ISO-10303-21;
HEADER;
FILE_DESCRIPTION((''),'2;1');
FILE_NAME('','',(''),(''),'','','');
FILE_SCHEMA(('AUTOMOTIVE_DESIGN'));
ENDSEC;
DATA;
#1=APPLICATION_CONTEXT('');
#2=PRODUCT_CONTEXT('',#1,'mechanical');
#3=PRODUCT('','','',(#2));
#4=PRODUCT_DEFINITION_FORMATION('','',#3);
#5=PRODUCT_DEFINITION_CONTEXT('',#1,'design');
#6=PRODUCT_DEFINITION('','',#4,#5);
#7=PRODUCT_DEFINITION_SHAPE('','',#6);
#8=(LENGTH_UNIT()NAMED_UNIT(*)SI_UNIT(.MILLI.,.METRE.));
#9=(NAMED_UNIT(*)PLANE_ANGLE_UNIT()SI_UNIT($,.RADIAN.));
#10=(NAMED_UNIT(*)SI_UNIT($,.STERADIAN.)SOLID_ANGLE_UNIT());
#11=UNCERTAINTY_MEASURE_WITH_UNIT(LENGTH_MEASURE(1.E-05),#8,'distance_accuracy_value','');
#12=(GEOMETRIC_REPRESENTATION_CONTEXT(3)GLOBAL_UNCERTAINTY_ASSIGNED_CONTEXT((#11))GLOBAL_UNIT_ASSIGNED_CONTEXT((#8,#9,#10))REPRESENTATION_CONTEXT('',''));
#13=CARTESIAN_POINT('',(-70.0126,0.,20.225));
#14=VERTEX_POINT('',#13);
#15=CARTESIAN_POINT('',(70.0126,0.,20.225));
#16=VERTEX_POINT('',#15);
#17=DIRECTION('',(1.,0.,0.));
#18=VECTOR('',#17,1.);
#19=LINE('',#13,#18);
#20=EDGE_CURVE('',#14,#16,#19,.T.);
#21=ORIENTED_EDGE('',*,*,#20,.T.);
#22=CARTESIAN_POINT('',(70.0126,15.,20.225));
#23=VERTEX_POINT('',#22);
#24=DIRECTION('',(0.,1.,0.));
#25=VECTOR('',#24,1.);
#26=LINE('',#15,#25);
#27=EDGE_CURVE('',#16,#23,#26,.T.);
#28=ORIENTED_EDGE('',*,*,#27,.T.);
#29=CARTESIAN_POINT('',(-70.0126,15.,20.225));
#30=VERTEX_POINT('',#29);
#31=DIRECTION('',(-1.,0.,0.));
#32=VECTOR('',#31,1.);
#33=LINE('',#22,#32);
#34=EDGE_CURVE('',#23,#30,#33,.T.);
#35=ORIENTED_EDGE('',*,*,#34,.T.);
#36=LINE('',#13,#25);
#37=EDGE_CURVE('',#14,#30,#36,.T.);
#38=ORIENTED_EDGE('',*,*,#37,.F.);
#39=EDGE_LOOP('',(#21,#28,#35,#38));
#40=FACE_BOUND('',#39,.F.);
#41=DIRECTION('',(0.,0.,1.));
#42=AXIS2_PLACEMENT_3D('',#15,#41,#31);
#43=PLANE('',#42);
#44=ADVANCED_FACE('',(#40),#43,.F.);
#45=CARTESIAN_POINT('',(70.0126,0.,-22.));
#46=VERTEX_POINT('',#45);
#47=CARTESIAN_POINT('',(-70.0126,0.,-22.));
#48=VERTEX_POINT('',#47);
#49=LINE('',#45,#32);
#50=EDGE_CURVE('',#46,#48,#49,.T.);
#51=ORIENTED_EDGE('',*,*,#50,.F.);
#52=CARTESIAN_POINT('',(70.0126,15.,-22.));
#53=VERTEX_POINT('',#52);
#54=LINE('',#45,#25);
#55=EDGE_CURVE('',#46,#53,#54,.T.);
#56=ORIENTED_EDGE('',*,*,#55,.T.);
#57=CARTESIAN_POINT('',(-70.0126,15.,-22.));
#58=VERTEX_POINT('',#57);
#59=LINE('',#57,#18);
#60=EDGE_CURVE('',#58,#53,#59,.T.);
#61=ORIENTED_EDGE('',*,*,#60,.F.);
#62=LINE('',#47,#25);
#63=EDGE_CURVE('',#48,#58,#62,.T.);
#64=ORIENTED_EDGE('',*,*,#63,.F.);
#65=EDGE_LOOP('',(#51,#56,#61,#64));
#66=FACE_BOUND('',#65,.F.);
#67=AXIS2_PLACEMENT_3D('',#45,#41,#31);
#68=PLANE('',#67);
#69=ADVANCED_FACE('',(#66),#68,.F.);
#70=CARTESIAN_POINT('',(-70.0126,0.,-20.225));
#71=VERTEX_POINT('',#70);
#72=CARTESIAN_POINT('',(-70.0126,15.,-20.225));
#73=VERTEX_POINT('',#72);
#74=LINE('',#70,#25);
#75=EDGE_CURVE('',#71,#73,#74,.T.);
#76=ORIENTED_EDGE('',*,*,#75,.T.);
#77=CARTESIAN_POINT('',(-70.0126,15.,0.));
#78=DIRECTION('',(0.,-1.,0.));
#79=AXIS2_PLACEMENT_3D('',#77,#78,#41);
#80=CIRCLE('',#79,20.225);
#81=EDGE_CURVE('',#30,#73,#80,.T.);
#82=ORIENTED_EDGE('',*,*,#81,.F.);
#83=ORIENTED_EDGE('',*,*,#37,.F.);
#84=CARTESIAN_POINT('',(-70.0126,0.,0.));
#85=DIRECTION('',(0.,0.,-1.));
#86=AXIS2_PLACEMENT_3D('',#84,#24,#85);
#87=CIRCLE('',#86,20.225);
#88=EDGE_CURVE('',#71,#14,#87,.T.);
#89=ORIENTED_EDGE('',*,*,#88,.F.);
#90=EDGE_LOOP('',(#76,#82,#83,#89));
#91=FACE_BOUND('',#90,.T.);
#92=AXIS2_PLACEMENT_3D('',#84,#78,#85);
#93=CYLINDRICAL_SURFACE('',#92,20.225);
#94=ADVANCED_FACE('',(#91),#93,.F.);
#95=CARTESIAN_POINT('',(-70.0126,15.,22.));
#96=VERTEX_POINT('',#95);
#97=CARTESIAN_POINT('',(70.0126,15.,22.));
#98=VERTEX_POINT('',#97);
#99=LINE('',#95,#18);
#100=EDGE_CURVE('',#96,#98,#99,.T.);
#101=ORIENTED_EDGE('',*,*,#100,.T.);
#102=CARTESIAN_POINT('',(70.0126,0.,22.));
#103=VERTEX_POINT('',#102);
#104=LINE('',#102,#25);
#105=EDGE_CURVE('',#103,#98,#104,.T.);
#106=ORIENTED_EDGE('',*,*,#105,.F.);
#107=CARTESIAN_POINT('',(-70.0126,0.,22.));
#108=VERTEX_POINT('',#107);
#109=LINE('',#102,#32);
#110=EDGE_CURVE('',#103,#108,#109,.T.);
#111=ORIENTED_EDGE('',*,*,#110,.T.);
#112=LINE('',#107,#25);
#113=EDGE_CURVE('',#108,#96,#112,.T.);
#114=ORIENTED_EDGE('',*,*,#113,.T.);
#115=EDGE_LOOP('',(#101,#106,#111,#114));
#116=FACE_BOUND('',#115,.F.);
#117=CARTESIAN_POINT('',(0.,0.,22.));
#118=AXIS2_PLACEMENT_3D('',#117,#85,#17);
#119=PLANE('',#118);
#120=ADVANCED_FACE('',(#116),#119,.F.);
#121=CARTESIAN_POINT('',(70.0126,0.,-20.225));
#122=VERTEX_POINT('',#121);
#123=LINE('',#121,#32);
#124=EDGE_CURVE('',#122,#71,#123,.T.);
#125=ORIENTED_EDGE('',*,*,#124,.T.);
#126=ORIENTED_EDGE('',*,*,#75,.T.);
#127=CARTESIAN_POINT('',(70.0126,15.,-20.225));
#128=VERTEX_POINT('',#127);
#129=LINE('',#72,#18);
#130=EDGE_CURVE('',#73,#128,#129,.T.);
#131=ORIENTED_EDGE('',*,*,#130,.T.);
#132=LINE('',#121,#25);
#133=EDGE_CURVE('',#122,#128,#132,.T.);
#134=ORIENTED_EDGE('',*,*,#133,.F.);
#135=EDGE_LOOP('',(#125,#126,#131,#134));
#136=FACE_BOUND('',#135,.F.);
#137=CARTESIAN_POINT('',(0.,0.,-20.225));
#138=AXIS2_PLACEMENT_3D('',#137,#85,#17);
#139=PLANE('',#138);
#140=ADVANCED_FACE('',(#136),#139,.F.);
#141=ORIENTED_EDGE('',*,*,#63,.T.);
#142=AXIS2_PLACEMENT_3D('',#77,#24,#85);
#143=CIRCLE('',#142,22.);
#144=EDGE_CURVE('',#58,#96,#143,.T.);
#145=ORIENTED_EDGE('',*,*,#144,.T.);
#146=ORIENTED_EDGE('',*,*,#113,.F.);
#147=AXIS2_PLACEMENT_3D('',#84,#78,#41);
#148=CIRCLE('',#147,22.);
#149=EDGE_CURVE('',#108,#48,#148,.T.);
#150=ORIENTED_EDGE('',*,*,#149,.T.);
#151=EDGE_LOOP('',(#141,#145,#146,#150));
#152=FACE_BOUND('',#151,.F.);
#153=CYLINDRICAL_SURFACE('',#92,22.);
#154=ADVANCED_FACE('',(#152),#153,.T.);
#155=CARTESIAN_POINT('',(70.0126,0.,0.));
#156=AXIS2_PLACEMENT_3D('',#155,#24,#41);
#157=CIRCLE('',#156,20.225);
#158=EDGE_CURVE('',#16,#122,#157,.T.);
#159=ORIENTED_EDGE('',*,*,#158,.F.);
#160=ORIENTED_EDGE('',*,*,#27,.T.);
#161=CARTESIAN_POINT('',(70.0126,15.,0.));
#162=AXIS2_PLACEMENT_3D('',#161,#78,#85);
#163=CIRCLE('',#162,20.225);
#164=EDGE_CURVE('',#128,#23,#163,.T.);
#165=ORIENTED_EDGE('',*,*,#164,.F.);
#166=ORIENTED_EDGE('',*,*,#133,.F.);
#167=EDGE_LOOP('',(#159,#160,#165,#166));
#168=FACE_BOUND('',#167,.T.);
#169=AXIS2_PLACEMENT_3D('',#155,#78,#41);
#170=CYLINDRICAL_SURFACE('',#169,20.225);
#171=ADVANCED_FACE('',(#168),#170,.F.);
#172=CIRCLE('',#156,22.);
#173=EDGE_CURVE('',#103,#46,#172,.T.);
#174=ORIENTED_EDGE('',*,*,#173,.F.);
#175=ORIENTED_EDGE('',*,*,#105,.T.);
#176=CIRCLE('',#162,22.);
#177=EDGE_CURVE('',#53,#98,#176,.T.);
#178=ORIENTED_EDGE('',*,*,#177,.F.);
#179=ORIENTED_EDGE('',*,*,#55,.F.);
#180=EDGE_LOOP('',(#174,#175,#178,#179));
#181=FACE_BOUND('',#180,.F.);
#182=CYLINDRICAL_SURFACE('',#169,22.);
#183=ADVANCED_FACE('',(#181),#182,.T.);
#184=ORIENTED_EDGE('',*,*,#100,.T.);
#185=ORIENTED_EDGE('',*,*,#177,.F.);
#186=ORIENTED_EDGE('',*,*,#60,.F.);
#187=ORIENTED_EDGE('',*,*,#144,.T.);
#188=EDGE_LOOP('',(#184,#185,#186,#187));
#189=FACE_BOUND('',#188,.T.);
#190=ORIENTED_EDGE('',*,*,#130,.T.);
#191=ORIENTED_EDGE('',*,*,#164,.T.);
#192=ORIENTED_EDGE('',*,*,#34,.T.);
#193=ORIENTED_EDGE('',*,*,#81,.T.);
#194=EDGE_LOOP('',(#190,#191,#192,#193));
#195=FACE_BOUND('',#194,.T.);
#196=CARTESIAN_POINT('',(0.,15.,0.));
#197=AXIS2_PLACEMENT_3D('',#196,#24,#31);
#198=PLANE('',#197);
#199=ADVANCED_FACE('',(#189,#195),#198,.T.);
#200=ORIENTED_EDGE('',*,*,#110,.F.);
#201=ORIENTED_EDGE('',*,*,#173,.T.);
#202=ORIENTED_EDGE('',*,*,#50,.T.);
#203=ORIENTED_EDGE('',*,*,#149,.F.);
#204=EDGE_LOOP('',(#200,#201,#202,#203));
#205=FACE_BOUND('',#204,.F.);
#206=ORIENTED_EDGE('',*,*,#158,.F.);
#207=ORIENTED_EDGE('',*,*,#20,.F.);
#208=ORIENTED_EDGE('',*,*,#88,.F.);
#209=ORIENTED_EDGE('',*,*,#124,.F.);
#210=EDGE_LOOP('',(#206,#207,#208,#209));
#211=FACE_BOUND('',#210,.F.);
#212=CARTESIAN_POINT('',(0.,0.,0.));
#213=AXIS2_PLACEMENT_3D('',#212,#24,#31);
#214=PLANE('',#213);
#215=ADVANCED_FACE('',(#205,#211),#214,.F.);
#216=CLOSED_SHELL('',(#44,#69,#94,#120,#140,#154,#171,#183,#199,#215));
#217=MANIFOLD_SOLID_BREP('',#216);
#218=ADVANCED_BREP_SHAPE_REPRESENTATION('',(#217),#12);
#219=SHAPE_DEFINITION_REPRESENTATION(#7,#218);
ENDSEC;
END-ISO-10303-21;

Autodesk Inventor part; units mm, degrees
ref_plane "YZ Plane" through (0, 0, 0) normal (1, 0, 0) x (0, 1, 0)
ref_plane "XZ Plane" through (0, 0, 0) normal (0, 1, 0) x (-1, 0, 0)
ref_plane "XY Plane" through (0, 0, 0) normal (0, 0, 1) x (1, 0, 0)
sketch "Sketch1" plane through (0, 0, 0) normal (0, 1, 0) x (-1, 0, 0)
  line L0 (0, -30.8) -> (0, 30.8) projected
  line L1 (-138.4201, 0) -> (186.4327, 0) projected
  line L2 (186.4327, 0) -> (-138.4201, 0) projected
  line L3 (0, -30.8) -> (0, 30.8) projected
  line L4 (70.0126, 0) -> (-70.0126, 0) construction
  line L5 (70.0126, 22) -> (-70.0126, 22)
  line L6 (-70.0126, -22) -> (70.0126, -22)
  arc A0 (70.0126, -22) -> (70.0126, 22) centre (70.0126, 0) ccw
  arc A1 (-70.0126, 22) -> (-70.0126, -22) centre (-70.0126, 0) ccw
  line L7 (0, 0) -> (140.0251, 0) construction
  line L8 (70.0126, -20.225) -> (-70.0126, -20.225)
  arc A2 (-70.0126, 20.225) -> (-70.0126, -20.225) centre (-70.0126, 0) ccw
  line L9 (-70.0126, 20.225) -> (70.0126, 20.225)
  arc A3 (70.0126, -20.225) -> (70.0126, 20.225) centre (70.0126, 0) ccw
  dimension "d0" = 70.0126
  dimension "d1" = 180
  dimension "d2" = 44
  dimension "d3" = 1.775
extrude "Extrusion1" add sketch "Sketch1" along normal blind 15 contours L6 A1 L1 A2 L8 L0 | L0 L8 A3 L1 A0 L6 | A1 L5 L0 L9 A2 L1 | L1 A3 L9 L0 L5 A0
properties part number "5.5belt"
